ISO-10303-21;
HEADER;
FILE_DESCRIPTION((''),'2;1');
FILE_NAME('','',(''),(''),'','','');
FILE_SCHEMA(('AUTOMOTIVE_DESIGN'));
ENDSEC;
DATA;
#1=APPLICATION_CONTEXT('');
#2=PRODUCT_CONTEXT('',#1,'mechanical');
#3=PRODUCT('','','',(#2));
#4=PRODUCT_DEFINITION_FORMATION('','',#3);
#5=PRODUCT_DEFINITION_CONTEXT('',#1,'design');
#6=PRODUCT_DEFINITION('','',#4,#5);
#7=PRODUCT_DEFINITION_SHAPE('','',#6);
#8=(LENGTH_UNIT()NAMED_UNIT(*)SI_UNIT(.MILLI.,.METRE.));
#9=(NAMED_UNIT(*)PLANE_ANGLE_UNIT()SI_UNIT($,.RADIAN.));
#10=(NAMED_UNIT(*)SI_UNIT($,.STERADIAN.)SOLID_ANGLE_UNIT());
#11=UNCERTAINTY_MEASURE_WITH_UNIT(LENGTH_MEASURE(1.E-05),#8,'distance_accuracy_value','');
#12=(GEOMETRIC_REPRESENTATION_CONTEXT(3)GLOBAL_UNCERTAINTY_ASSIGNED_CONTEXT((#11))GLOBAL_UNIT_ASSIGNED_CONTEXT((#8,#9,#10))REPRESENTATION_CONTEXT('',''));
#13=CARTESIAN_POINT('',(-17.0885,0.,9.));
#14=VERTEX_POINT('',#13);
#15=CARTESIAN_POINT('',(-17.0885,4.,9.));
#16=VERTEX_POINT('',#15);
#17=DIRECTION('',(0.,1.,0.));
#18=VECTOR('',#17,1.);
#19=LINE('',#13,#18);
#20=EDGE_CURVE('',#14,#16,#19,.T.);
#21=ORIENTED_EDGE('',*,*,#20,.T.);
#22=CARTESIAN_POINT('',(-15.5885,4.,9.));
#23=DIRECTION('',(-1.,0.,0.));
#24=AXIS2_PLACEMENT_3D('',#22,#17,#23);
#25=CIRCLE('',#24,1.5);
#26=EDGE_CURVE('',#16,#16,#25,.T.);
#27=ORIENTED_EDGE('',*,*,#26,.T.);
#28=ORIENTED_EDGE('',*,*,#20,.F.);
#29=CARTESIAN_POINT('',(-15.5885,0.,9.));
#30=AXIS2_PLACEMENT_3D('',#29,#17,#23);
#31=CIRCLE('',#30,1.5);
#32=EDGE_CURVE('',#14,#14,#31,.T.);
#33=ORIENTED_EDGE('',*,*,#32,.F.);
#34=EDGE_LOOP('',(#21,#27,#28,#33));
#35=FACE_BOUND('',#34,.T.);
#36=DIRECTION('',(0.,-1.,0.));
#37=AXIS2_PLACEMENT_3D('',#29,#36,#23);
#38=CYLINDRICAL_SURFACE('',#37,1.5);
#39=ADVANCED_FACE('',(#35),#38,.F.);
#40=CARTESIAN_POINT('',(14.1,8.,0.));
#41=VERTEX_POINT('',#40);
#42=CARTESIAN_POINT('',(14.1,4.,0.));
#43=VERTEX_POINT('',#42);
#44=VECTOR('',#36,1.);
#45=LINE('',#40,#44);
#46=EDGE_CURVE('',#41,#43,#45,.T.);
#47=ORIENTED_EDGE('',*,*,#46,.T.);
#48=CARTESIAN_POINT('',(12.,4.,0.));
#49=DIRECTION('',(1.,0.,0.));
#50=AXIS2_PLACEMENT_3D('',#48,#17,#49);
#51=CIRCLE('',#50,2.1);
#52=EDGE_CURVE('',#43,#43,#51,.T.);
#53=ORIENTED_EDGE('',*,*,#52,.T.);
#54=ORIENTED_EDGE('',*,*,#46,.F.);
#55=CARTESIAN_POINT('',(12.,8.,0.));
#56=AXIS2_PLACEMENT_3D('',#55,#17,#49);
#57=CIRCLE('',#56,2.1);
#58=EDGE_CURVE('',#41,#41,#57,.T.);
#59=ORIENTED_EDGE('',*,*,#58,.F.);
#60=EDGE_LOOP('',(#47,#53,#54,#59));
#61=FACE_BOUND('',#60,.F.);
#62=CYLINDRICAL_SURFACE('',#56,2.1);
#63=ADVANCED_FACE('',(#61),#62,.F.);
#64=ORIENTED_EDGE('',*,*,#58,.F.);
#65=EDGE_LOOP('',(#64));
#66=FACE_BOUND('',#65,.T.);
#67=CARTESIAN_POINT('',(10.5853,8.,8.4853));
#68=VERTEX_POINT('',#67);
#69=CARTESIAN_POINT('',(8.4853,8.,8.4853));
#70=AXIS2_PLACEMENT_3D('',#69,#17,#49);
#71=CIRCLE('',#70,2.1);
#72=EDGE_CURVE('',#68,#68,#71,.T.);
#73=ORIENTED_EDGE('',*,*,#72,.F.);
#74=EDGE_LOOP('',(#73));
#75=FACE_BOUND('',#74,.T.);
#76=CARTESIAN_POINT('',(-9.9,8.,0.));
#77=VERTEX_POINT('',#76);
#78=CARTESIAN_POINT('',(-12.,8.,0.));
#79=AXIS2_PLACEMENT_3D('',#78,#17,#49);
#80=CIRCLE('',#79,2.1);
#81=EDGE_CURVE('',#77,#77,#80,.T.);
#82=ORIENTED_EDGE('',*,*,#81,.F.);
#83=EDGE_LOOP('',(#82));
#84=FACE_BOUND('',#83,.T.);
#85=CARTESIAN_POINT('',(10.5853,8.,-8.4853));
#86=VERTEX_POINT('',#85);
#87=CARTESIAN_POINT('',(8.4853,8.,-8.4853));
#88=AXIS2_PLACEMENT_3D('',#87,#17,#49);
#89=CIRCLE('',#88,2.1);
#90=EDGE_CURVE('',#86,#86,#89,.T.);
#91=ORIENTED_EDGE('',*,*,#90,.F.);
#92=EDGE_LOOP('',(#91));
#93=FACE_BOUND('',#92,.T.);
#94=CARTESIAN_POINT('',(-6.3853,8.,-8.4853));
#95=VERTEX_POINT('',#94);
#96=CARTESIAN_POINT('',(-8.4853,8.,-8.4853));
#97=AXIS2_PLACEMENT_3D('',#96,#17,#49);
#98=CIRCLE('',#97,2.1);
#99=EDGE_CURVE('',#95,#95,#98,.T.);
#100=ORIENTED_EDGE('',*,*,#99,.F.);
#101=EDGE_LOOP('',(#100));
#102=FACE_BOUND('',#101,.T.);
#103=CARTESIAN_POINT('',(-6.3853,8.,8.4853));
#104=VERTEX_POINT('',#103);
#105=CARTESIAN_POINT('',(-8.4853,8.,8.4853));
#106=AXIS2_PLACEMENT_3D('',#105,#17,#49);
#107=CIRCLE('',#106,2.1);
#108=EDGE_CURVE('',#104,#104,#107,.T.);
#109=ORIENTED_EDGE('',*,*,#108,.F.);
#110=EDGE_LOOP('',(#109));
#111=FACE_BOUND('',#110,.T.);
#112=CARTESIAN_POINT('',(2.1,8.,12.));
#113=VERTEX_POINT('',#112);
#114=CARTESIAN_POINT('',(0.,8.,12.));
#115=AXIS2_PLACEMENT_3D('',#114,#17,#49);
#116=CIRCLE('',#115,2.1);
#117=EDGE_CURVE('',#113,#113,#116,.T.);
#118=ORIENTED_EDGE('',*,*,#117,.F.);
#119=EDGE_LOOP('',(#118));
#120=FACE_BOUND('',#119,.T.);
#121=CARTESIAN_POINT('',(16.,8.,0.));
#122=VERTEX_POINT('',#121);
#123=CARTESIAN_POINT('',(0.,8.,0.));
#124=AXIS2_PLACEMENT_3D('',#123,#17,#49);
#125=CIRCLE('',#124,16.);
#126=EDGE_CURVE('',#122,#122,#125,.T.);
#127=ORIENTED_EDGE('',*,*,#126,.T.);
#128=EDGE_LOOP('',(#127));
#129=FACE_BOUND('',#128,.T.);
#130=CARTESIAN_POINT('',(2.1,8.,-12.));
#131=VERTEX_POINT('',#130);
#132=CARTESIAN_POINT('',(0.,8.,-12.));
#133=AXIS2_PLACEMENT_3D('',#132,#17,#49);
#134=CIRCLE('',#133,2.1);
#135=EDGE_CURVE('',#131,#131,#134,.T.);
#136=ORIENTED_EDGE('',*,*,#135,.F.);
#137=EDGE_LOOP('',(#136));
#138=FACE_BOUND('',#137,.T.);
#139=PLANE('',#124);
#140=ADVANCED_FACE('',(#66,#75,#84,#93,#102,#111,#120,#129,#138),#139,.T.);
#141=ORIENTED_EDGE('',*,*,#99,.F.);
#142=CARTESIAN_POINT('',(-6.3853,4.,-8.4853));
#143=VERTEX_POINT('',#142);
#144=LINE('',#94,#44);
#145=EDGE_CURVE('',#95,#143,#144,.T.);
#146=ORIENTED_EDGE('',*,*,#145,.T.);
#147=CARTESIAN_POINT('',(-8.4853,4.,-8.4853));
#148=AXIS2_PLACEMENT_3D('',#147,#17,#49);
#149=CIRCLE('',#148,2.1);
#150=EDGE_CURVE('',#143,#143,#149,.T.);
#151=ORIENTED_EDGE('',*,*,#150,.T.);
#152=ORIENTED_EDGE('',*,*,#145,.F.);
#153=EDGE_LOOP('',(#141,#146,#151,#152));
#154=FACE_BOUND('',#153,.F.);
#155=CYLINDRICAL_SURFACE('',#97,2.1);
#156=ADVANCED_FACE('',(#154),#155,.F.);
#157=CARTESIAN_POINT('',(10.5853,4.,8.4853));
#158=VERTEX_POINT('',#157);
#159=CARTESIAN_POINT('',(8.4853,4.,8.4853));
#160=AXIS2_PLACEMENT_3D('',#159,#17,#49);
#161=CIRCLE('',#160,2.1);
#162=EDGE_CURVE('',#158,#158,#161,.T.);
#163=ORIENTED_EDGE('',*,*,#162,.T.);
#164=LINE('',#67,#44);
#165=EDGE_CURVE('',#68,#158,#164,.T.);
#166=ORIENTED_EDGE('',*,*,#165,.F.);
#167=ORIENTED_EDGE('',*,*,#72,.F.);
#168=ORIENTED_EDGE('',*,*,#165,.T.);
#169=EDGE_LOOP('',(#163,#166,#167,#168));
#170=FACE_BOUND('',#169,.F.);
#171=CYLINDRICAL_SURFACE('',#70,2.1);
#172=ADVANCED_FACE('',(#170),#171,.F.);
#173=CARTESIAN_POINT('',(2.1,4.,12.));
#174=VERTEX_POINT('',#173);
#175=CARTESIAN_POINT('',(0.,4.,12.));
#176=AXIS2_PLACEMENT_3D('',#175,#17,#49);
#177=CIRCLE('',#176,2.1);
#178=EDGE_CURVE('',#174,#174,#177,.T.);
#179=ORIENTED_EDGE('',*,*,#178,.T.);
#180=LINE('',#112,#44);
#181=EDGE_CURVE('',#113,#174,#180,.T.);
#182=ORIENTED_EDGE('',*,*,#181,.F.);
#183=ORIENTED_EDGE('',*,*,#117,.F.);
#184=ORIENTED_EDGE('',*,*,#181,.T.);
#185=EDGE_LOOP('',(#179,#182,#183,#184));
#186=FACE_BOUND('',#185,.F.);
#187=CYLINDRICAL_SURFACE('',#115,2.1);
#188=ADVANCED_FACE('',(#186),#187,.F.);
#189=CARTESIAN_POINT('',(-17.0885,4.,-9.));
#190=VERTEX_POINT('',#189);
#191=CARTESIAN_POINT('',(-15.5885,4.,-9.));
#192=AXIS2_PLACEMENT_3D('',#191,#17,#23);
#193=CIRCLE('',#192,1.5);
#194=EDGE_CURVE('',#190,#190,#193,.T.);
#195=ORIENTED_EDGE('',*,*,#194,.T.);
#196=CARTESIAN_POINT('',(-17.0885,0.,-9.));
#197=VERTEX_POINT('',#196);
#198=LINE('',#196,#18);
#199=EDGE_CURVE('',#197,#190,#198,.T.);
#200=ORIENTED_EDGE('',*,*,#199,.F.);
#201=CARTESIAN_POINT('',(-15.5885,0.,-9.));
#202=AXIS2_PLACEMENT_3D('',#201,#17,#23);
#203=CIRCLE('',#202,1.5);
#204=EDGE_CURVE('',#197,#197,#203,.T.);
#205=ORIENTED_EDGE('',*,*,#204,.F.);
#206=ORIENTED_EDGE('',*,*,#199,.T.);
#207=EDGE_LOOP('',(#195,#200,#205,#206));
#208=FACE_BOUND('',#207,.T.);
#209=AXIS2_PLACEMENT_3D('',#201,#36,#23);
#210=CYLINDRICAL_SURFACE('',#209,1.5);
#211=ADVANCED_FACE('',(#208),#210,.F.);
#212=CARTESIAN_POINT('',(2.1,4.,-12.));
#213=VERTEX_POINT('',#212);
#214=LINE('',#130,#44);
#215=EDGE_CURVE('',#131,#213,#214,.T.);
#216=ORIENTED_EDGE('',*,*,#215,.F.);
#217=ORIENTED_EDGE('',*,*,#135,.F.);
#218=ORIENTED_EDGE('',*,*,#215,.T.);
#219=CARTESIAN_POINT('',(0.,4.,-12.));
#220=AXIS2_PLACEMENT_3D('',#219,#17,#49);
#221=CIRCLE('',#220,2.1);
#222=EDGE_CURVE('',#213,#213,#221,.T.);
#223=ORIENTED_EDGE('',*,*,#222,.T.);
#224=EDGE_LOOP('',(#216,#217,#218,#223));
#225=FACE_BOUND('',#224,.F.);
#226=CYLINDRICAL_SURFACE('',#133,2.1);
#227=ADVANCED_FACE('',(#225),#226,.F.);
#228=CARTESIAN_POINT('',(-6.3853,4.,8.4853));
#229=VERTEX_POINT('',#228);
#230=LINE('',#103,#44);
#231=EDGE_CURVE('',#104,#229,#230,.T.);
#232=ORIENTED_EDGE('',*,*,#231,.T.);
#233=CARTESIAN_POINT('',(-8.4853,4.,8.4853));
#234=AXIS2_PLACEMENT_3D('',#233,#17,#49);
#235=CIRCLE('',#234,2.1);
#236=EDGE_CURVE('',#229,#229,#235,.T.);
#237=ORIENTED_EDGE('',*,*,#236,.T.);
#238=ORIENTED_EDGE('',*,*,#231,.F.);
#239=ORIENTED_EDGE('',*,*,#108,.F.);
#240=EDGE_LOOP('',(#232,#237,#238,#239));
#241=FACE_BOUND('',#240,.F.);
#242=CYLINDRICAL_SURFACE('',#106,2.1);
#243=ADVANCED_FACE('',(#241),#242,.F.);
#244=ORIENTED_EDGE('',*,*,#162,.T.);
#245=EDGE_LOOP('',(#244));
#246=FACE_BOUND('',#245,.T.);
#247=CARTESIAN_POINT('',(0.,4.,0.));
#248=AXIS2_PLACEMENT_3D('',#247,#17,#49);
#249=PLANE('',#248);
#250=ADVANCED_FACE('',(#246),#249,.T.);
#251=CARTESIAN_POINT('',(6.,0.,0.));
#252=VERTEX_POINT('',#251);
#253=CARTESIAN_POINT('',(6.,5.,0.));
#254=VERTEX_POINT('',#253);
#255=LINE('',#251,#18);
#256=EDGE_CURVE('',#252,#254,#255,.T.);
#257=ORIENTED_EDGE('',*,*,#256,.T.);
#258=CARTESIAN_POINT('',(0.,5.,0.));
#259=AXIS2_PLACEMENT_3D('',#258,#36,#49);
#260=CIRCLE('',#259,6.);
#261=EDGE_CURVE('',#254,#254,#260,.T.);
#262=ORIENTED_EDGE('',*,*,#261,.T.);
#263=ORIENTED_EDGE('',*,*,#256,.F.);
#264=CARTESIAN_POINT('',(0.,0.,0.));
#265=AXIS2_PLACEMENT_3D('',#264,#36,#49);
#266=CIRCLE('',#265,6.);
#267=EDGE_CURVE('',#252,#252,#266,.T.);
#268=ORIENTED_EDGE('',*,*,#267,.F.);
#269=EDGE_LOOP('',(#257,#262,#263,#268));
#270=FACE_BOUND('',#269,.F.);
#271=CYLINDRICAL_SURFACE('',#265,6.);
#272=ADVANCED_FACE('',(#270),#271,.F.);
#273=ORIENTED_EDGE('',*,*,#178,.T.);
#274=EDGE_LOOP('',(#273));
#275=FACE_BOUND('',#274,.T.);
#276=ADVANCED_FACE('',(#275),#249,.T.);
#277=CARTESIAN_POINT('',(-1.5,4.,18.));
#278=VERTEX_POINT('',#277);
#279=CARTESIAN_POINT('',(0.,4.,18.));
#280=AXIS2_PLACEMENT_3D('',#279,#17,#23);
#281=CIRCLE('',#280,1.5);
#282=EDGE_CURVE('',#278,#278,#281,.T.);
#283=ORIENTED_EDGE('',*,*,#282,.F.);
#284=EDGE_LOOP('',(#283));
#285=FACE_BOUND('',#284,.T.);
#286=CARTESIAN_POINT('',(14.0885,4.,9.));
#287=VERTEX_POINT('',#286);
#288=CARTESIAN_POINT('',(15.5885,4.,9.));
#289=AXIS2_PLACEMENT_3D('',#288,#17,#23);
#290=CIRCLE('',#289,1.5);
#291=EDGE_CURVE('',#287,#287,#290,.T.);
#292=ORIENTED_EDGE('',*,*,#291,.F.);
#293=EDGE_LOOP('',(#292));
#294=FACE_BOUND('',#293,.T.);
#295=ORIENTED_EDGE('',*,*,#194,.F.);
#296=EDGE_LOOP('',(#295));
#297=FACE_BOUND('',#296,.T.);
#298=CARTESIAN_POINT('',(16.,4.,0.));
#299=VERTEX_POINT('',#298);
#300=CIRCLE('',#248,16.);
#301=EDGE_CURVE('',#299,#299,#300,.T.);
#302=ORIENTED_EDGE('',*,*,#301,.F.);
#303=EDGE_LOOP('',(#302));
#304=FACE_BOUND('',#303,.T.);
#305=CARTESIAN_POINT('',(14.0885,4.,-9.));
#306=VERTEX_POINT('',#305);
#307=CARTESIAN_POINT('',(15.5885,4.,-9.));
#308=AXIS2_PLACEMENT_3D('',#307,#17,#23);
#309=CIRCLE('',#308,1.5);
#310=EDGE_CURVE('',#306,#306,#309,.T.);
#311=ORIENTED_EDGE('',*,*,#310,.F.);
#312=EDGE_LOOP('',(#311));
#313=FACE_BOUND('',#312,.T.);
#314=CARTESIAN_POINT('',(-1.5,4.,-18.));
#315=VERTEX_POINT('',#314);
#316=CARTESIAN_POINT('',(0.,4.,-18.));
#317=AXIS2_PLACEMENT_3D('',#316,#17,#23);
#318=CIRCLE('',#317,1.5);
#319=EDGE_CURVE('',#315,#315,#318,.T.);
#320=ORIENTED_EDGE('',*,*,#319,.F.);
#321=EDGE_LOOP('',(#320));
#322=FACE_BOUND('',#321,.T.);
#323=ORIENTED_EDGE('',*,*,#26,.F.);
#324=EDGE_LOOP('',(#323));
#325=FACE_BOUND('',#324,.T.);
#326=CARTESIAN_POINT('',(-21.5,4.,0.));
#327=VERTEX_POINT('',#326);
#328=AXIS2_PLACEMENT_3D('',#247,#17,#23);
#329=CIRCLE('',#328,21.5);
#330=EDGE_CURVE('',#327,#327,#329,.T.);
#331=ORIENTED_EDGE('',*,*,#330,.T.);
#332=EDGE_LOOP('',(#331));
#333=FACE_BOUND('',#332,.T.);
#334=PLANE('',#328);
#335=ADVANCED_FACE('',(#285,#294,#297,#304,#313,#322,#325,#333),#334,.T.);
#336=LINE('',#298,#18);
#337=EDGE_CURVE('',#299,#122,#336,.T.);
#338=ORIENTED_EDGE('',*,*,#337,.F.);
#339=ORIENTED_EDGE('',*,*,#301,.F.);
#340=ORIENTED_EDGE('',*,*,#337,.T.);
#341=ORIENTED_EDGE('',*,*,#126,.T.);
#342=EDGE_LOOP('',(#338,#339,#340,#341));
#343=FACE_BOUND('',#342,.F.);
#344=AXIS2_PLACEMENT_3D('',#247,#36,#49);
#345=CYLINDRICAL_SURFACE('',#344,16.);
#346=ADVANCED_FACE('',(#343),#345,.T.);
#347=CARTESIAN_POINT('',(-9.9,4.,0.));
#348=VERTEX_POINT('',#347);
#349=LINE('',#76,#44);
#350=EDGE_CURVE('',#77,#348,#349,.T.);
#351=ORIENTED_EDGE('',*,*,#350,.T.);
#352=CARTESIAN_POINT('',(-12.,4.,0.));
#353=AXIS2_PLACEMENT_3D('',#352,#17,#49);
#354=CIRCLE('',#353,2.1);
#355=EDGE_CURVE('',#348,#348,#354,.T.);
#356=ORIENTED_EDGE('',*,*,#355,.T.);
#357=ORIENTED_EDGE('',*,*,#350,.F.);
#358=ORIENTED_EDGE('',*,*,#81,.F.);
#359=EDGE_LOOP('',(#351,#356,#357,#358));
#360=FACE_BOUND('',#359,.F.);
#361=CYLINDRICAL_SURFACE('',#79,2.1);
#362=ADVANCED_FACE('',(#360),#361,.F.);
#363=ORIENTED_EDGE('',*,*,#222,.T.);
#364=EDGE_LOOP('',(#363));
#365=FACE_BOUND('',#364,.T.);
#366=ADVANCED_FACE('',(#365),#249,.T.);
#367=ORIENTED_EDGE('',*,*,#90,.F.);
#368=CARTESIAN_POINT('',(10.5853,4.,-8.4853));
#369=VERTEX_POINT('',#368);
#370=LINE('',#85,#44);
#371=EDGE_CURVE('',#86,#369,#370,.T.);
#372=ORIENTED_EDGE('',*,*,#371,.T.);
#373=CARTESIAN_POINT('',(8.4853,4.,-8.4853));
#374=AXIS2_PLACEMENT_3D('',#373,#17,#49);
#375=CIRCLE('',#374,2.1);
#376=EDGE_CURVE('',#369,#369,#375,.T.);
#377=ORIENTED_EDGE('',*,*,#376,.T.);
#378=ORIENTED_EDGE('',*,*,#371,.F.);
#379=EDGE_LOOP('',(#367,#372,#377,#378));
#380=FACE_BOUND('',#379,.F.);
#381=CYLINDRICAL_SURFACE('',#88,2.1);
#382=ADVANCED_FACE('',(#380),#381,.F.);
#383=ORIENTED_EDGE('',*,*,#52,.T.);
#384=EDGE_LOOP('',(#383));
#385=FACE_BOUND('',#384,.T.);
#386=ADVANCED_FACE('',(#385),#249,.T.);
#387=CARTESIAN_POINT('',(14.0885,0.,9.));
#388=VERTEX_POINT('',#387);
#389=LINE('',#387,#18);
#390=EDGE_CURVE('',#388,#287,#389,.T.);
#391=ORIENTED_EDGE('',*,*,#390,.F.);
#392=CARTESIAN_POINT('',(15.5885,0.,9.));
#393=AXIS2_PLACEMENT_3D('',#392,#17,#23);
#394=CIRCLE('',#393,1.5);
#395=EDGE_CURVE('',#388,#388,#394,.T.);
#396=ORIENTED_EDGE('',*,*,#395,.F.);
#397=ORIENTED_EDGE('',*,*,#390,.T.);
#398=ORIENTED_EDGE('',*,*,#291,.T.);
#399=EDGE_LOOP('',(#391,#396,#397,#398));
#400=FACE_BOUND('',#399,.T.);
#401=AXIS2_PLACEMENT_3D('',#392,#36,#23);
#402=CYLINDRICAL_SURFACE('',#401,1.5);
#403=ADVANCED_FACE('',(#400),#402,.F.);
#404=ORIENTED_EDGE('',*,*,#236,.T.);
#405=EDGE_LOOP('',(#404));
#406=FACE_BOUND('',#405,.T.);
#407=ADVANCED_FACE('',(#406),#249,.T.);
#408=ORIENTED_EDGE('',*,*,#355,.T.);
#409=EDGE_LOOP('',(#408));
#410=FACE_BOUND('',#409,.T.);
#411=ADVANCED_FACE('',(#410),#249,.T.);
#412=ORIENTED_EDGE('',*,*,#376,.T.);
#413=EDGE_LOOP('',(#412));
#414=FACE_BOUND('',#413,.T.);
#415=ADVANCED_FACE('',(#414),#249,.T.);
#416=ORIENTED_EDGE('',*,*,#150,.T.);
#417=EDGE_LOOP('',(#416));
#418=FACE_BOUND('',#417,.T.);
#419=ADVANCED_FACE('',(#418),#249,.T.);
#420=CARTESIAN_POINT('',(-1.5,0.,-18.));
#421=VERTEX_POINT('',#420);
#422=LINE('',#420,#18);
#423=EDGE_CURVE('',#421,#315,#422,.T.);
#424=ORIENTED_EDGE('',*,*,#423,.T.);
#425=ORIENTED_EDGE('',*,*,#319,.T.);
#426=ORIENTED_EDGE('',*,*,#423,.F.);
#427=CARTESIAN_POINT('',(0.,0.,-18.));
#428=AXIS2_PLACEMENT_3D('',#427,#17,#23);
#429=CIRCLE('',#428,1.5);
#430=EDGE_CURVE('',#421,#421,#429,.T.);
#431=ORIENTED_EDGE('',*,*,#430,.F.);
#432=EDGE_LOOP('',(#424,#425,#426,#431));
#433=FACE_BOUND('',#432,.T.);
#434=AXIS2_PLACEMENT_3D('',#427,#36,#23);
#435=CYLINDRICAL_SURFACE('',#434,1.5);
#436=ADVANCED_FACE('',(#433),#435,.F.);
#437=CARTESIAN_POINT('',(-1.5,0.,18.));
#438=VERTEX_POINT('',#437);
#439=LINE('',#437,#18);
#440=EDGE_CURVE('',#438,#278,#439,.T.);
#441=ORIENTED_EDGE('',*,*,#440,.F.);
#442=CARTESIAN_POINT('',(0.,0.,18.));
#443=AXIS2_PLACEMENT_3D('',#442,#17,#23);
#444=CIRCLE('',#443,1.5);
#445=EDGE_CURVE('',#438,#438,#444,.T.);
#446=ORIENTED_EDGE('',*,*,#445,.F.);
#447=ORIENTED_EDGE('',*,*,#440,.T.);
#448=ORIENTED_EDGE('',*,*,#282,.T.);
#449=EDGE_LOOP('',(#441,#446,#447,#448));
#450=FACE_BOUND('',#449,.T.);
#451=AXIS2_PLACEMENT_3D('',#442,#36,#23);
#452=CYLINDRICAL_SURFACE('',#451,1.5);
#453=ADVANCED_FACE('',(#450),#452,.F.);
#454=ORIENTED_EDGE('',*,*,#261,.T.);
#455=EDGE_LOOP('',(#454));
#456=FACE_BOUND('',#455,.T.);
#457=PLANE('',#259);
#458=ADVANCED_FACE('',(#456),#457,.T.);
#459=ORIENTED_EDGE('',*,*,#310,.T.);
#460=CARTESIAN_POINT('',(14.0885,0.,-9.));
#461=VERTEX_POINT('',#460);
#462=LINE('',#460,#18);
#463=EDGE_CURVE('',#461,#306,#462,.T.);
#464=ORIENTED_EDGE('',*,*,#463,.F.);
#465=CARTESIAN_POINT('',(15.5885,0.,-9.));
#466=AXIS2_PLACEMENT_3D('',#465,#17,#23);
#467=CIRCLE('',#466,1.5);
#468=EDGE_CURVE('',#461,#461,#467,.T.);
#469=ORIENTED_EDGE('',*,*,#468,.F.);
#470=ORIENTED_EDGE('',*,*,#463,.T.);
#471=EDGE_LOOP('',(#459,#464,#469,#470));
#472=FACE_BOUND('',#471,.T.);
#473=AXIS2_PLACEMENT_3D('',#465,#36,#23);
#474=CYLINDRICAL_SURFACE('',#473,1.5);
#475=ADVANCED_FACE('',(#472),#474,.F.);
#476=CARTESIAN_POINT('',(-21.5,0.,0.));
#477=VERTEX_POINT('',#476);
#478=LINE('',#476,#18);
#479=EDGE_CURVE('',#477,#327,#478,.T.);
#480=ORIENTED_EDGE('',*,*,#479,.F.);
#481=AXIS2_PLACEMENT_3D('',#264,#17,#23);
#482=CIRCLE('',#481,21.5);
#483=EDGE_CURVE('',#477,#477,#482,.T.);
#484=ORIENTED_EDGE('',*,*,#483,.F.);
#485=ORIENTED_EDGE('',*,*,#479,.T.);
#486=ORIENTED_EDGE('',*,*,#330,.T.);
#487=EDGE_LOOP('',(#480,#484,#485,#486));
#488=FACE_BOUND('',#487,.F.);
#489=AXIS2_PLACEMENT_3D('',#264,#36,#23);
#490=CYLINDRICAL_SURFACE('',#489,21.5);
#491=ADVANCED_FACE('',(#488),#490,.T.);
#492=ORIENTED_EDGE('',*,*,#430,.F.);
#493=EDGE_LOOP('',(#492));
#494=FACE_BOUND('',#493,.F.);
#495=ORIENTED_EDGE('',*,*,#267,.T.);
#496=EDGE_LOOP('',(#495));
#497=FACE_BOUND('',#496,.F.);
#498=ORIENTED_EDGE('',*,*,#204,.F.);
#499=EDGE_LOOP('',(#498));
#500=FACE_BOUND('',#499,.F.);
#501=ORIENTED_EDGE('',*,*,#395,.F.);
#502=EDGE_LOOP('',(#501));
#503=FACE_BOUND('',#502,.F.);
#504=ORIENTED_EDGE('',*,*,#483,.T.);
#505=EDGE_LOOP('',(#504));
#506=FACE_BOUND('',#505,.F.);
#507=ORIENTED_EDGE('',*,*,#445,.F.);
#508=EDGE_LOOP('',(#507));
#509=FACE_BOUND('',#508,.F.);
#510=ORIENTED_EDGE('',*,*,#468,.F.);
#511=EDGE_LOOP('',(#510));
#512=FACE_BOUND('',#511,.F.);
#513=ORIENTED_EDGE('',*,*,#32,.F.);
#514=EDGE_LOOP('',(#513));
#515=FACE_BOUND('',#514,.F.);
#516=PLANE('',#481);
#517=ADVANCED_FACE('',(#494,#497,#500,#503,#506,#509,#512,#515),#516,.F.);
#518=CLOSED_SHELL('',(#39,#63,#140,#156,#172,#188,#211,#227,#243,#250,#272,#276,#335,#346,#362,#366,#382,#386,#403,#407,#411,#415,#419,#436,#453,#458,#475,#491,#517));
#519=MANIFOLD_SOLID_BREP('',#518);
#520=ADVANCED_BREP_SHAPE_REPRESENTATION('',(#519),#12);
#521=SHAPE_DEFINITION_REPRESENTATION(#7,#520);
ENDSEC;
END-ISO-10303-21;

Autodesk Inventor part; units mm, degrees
ref_plane "YZ Plane" through (0, 0, 0) normal (1, 0, 0) x (0, 1, 0)
ref_plane "XZ Plane" through (0, 0, 0) normal (0, 1, 0) x (-1, 0, 0)
ref_plane "XY Plane" through (0, 0, 0) normal (0, 0, 1) x (1, 0, 0)
sketch "Sketch1" plane through (0, 0, 0) normal (0, 1, 0) x (-1, 0, 0)
  circle A0 centre (0, 0) radius 21.5
  circle A1 centre (0, -18) radius 1.5
  circle A2 centre (15.5885, -9) radius 1.5
  circle A3 centre (15.5885, 9) radius 1.5
  circle A4 centre (0, 18) radius 1.5
  circle A5 centre (-15.5885, 9) radius 1.5
  circle A6 centre (-15.5885, -9) radius 1.5
  dimension "d0" = 43
  dimension "d1" = 3
  dimension "d2" = 18
  dimension "d5" = 360
extrude "Extrusion1" add sketch "Sketch1" along normal blind 4
sketch "Sketch2" plane through (0, 4, 0) normal (0, 1, 0) x (1, 0, 0)
  circle A0 centre (0, 0) radius 16
  dimension "d9" = 32
extrude "Extrusion2" add sketch "Sketch2" along normal blind 4
sketch "Sketch3" plane through (0, 8, 0) normal (0, 1, 0) x (1, 0, 0)
  circle A0 centre (0, 12) radius 2.1
  circle A1 centre (-8.4853, 8.4853) radius 2.1
  circle A2 centre (-12, 0) radius 2.1
  circle A3 centre (-8.4853, -8.4853) radius 2.1
  circle A4 centre (0, -12) radius 2.1
  circle A5 centre (8.4853, -8.4853) radius 2.1
  circle A6 centre (12, 0) radius 2.1
  circle A7 centre (8.4853, 8.4853) radius 2.1
  point P0 (0, 0)
  dimension "d27" = 4.2
  dimension "d32" = 360
  dimension "d44" = 12
extrude "Extrusion3" cut sketch "Sketch3" against normal blind 4
thread "Thread7" size "M4x0.7" class "6H" standard "ANSI Metric M Profile" full length
thread "Thread8" size "M4x0.7" class "6H" standard "ANSI Metric M Profile" full length
thread "Thread9" size "M4x0.7" class "6H" standard "ANSI Metric M Profile" full length
thread "Thread10" size "M4x0.7" class "6H" standard "ANSI Metric M Profile" full length
thread "Thread11" size "M4x0.7" class "6H" standard "ANSI Metric M Profile" full length
thread "Thread12" size "M4x0.7" class "6H" standard "ANSI Metric M Profile" full length
thread "Thread13" size "M4x0.7" class "6H" standard "ANSI Metric M Profile" full length
thread "Thread14" size "M4x0.7" class "6H" standard "ANSI Metric M Profile" full length
thread "Thread15" size "M3x0.5" class "6H" standard "ANSI Metric M Profile" full length
thread "Thread16" size "M3x0.5" class "6H" standard "ANSI Metric M Profile" full length
thread "Thread17" size "M3x0.5" class "6H" standard "ANSI Metric M Profile" full length
thread "Thread18" size "M3x0.5" class "6H" standard "ANSI Metric M Profile" full length
thread "Thread19" size "M3x0.5" class "6H" standard "ANSI Metric M Profile" full length
thread "Thread20" size "M3x0.5" class "6H" standard "ANSI Metric M Profile" full length
sketch "Sketch4" plane through (0, 0, 0) normal (0, -1, 0) x (1, 0, 0)
  circle A0 centre (0, 0) radius 6
  dimension "d65" = 12
extrude "Extrusion4" cut sketch "Sketch4" against normal blind 5
properties part number "OutPutPlate" material "Aluminum 6061"
